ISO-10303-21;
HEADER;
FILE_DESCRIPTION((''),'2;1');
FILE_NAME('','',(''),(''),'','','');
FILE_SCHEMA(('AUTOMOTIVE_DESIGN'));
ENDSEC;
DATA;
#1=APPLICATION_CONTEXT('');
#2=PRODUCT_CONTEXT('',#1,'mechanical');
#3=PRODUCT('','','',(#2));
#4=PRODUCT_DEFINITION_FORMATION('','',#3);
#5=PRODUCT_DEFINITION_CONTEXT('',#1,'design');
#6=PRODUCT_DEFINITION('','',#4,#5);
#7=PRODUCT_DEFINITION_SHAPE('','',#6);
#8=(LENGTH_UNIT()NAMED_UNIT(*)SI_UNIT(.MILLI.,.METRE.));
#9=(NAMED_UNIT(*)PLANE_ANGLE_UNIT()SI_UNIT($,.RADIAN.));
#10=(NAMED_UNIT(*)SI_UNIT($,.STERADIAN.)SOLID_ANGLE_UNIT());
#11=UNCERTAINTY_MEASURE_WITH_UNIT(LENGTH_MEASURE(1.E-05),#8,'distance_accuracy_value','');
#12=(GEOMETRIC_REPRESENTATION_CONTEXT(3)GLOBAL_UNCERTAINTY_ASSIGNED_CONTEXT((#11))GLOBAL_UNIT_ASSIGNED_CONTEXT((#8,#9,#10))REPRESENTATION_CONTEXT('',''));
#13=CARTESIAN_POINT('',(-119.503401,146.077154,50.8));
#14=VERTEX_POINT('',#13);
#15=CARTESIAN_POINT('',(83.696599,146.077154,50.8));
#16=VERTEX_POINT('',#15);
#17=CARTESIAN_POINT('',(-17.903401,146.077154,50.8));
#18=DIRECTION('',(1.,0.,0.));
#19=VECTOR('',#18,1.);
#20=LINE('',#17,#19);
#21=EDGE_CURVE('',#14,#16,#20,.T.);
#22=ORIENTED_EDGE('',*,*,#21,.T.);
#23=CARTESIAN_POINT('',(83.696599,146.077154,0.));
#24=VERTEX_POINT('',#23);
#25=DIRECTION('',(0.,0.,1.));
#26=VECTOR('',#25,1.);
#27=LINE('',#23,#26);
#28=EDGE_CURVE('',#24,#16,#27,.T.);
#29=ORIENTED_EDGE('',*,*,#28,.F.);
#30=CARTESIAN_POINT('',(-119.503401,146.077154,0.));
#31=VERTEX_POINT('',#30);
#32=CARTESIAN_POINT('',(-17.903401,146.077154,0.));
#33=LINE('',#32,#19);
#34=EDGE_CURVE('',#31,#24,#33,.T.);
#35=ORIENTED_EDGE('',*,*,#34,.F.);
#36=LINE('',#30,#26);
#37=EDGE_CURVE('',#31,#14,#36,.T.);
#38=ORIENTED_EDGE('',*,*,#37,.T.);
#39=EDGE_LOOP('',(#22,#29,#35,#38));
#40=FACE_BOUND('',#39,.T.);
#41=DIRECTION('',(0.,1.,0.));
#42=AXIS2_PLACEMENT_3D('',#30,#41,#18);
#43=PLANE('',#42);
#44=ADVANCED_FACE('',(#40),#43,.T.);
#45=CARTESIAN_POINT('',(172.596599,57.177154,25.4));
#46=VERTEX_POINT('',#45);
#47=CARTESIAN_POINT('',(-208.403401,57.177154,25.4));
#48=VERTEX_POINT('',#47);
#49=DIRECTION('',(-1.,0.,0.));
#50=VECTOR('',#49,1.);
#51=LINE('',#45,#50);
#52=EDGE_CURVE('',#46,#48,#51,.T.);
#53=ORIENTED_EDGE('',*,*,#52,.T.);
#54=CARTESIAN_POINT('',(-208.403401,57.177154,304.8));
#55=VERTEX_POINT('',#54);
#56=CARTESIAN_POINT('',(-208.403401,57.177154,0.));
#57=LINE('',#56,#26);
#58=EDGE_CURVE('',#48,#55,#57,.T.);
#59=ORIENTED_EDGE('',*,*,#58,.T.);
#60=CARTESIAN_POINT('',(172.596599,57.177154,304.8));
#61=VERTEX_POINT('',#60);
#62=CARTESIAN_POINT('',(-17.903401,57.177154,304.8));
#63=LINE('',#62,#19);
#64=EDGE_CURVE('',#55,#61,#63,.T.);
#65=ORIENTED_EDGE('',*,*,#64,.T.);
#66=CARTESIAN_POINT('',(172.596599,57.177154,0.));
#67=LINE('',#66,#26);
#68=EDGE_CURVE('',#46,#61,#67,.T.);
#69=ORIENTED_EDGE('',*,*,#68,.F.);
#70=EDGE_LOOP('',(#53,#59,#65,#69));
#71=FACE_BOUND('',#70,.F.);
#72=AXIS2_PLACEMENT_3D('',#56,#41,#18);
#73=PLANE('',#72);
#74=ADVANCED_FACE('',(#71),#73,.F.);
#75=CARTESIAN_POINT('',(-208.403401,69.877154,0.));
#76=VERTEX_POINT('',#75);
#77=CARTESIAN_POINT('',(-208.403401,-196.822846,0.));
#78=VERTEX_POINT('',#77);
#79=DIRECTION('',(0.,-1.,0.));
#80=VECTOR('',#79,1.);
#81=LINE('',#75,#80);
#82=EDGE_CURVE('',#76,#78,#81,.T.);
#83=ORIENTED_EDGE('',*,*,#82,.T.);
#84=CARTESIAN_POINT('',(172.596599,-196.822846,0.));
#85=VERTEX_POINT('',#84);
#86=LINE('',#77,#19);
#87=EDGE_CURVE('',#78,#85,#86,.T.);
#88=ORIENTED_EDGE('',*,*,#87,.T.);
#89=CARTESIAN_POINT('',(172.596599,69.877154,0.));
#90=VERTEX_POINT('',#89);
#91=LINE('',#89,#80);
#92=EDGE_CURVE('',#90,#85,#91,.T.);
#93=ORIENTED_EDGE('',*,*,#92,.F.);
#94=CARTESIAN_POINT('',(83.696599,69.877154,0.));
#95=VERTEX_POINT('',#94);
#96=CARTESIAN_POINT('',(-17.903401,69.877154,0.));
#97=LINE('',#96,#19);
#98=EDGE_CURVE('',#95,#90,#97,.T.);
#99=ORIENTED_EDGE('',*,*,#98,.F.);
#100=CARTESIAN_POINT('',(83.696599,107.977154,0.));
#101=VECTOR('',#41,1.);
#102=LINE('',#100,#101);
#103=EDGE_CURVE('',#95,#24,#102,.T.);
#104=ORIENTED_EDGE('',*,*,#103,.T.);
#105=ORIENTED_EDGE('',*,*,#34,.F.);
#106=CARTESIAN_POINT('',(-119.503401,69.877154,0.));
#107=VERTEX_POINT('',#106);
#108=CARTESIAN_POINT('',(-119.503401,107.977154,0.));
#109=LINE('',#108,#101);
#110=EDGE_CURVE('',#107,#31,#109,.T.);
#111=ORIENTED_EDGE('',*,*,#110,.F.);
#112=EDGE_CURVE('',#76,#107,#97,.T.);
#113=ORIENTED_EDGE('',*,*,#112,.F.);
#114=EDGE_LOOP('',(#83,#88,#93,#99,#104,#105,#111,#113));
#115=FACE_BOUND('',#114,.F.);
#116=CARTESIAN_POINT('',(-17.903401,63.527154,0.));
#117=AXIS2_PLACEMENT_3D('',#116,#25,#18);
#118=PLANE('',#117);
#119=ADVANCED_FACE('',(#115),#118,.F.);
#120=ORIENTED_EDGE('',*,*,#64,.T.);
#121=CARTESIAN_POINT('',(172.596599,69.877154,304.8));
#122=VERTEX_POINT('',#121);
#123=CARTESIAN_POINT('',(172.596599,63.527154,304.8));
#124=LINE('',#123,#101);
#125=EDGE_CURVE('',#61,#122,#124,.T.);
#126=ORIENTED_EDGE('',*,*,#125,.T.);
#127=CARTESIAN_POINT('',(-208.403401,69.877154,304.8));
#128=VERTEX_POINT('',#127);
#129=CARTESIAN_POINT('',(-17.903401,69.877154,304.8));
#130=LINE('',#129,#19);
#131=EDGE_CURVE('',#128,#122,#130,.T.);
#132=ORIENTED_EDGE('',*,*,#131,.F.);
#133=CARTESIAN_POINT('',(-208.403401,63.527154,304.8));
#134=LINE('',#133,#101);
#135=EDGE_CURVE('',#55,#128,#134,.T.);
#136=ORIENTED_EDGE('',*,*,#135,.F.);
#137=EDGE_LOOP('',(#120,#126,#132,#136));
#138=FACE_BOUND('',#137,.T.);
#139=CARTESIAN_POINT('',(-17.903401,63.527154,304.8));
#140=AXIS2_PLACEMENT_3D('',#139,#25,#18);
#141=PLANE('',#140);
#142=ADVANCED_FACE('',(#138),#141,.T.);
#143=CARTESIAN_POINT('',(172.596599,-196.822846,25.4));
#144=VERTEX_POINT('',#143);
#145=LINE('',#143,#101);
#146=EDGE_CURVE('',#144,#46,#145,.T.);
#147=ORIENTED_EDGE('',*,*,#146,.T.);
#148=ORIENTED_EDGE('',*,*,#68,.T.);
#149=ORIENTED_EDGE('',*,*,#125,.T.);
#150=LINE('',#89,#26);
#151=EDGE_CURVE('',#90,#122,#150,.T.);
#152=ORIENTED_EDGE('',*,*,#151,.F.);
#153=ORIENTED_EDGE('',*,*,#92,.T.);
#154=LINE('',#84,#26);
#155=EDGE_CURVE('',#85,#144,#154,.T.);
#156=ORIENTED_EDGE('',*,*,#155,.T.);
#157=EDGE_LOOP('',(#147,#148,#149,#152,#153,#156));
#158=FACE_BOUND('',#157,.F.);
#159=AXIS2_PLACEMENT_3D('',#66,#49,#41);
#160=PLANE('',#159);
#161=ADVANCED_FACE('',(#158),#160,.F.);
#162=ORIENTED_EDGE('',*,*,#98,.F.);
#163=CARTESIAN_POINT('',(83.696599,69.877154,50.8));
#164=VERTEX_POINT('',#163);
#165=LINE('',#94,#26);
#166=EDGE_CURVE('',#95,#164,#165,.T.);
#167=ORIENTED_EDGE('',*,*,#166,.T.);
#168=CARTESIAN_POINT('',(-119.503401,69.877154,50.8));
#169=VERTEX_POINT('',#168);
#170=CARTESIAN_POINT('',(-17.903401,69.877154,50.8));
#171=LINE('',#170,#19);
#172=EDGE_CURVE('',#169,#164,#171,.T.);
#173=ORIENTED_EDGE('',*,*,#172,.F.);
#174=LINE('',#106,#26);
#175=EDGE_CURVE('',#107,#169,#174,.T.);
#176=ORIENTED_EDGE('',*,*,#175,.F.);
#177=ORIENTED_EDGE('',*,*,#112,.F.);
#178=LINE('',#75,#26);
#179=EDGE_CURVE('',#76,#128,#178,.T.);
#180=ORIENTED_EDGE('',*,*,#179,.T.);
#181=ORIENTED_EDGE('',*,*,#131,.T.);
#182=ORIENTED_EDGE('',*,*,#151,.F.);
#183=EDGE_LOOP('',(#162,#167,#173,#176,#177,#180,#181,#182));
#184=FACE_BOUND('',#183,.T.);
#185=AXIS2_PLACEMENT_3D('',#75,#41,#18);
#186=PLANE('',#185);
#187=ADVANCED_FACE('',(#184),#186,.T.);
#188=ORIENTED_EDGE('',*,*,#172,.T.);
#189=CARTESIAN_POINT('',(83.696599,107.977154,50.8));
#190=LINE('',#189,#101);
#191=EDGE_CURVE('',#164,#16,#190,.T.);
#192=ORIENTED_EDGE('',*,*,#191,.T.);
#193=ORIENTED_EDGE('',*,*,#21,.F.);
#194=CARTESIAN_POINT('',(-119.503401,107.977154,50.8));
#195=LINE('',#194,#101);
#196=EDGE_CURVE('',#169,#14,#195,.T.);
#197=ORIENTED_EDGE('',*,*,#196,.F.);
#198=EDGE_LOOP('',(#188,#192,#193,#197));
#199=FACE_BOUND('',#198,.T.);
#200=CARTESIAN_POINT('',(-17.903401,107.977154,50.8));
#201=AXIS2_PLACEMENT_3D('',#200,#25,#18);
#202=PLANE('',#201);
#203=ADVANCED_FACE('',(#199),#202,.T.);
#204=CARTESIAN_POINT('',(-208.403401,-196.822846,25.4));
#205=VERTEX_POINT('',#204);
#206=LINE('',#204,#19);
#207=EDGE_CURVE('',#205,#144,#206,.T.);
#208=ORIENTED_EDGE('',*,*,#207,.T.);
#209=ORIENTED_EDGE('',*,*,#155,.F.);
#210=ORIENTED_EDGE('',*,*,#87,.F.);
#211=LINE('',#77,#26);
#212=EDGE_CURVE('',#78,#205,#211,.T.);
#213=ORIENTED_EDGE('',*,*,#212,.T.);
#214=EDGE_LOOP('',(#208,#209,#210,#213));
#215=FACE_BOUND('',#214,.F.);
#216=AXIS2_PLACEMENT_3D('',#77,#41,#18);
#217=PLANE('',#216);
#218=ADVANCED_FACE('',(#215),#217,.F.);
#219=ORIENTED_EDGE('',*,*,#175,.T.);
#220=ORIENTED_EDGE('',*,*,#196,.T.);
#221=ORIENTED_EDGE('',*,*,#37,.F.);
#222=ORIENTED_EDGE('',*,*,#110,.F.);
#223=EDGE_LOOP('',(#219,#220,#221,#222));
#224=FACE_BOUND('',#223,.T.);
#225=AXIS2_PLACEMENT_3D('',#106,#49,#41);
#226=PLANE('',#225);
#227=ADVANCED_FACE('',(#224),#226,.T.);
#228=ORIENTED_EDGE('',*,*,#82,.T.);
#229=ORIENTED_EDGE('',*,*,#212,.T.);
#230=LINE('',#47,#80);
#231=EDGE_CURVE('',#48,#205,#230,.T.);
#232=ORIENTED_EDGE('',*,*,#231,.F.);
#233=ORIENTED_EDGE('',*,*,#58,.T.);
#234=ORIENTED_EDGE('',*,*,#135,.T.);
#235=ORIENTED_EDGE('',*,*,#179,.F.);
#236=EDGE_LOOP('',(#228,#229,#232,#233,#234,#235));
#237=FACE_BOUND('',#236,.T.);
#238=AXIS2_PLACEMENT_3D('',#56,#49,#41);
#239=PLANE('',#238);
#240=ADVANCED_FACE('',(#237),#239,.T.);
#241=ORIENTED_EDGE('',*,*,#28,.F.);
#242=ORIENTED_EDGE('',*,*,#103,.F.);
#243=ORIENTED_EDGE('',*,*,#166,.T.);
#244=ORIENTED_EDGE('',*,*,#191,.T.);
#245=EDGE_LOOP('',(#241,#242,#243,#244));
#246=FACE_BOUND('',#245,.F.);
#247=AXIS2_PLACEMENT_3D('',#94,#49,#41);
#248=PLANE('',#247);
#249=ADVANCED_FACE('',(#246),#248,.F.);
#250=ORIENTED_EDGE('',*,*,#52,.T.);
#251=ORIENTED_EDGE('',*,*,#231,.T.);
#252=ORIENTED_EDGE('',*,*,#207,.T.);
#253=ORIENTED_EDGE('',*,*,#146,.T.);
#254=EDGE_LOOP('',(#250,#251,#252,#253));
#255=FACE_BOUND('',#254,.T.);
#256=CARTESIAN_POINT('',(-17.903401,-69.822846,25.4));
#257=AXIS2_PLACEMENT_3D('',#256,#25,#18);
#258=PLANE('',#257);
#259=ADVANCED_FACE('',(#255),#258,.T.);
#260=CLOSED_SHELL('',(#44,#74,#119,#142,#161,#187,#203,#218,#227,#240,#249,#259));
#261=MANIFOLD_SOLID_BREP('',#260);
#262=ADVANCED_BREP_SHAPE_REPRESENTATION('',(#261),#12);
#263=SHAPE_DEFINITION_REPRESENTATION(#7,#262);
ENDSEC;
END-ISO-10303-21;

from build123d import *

# Parameters (mm, degrees)
F1_DEPTH = 25.4
F2_W     = 381
F2_H     = 12.7
F4_DEPTH = 304.8
F3_W     = 203.2
F3_H     = 76.2
F5_DEPTH = 50.8


with BuildPart() as f1:
    # F0 (on Top) → F1 (new body)
    with BuildSketch(Plane.XY):
        Polygon((-208.403401, 57.177154), (-208.403401, -196.822846), (172.596599, -196.822846), (172.596599, 57.177154), (83.696599, 57.177154), (-119.503401, 57.177154), align=None)
    extrude(amount=F1_DEPTH)

    # F2 (on Top) → F4 (join)
    with BuildSketch(Plane.XY):
        with Locations((-17.903401, 63.527154)):
            Rectangle(F2_W, F2_H)
    extrude(amount=F4_DEPTH)

    # F3 (on Top) → F5 (join)
    with BuildSketch(Plane.XY):
        with Locations((-17.903401, 107.977154)):
            Rectangle(F3_W, F3_H)
    extrude(amount=F5_DEPTH)


solid = f1.part
